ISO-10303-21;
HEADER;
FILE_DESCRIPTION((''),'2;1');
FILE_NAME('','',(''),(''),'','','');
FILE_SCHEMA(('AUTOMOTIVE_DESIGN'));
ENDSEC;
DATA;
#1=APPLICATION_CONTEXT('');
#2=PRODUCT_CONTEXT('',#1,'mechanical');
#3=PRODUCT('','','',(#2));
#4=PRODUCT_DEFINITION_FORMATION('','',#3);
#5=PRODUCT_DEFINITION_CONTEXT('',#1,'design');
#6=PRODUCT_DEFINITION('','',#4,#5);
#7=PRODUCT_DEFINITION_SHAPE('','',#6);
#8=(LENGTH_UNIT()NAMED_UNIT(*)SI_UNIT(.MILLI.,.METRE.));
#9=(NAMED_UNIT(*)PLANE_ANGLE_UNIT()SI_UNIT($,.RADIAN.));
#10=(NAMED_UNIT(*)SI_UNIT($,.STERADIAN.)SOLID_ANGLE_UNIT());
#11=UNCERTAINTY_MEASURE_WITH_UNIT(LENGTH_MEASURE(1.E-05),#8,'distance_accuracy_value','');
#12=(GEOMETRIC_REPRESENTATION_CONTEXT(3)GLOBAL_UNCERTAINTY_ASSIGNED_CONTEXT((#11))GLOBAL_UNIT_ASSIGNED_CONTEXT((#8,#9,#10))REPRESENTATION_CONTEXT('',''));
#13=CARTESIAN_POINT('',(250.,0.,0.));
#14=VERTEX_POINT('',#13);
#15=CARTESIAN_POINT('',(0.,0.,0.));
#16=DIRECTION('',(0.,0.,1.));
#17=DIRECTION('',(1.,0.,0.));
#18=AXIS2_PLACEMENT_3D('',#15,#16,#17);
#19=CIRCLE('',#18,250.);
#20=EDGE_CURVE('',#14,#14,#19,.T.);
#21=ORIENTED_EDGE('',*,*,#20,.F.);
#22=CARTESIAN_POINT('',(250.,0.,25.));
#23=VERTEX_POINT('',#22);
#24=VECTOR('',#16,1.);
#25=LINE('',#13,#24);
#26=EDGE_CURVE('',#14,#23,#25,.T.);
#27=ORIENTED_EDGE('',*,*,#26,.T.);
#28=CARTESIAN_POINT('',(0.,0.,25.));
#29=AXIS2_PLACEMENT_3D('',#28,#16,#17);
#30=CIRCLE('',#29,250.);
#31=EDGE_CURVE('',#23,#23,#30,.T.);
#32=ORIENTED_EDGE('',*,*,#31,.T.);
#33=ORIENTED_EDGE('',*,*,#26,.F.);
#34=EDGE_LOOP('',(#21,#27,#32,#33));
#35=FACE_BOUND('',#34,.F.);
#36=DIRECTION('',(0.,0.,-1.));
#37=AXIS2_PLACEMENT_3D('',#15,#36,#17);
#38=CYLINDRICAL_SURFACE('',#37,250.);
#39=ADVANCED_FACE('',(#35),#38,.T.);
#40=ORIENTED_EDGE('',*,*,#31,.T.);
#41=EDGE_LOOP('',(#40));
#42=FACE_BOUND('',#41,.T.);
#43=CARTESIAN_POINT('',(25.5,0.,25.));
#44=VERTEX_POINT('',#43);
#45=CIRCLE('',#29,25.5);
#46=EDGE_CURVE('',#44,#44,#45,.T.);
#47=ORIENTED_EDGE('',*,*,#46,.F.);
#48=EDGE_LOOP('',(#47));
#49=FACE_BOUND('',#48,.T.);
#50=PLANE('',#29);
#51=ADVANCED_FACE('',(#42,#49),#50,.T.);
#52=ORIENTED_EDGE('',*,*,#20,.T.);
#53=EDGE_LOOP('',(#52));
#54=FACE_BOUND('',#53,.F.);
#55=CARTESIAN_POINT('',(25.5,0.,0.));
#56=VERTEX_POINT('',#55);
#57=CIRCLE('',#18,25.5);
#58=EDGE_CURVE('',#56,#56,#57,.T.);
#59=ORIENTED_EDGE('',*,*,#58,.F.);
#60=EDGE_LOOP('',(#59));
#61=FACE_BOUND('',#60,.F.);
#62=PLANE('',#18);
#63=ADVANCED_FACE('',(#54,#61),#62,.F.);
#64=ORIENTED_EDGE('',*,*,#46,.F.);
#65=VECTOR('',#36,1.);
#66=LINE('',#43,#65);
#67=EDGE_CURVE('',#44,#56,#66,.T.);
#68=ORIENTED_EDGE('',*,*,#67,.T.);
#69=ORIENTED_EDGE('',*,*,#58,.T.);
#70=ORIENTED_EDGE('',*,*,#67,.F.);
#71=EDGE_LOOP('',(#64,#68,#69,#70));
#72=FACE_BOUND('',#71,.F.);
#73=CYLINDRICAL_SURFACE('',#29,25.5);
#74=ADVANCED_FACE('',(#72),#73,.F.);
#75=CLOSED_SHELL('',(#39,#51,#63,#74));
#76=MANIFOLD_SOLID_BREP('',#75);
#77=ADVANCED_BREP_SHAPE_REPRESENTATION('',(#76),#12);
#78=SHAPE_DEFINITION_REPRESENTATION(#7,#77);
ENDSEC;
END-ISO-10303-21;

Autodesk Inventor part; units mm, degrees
ref_plane "YZ Plane" through (0, 0, 0) normal (1, 0, 0) x (0, 1, 0)
ref_plane "XZ Plane" through (0, 0, 0) normal (0, 1, 0) x (-1, 0, 0)
ref_plane "XY Plane" through (0, 0, 0) normal (0, 0, 1) x (1, 0, 0)
sketch "Sketch1" plane through (0, 0, 0) normal (0, 0, 1) x (1, 0, 0)
  circle A0 centre (0, 0) radius 250
  dimension "d0" = 500
extrude "Extrusion1" add sketch "Sketch1" along normal blind 25
sketch "Sketch2" plane through (0, 0, 25) normal (0, 0, 1) x (1, 0, 0)
  circle A0 centre (0, 0) radius 25.5
  dimension "d3" = 51
extrude "Extrusion2" cut sketch "Sketch2" against normal through all
sketch "Sketch3" plane through (0, 0, 25) normal (0, 0, 1) x (1, 0, 0)
  point P0 (0, 0)
properties part number "Płyta"
